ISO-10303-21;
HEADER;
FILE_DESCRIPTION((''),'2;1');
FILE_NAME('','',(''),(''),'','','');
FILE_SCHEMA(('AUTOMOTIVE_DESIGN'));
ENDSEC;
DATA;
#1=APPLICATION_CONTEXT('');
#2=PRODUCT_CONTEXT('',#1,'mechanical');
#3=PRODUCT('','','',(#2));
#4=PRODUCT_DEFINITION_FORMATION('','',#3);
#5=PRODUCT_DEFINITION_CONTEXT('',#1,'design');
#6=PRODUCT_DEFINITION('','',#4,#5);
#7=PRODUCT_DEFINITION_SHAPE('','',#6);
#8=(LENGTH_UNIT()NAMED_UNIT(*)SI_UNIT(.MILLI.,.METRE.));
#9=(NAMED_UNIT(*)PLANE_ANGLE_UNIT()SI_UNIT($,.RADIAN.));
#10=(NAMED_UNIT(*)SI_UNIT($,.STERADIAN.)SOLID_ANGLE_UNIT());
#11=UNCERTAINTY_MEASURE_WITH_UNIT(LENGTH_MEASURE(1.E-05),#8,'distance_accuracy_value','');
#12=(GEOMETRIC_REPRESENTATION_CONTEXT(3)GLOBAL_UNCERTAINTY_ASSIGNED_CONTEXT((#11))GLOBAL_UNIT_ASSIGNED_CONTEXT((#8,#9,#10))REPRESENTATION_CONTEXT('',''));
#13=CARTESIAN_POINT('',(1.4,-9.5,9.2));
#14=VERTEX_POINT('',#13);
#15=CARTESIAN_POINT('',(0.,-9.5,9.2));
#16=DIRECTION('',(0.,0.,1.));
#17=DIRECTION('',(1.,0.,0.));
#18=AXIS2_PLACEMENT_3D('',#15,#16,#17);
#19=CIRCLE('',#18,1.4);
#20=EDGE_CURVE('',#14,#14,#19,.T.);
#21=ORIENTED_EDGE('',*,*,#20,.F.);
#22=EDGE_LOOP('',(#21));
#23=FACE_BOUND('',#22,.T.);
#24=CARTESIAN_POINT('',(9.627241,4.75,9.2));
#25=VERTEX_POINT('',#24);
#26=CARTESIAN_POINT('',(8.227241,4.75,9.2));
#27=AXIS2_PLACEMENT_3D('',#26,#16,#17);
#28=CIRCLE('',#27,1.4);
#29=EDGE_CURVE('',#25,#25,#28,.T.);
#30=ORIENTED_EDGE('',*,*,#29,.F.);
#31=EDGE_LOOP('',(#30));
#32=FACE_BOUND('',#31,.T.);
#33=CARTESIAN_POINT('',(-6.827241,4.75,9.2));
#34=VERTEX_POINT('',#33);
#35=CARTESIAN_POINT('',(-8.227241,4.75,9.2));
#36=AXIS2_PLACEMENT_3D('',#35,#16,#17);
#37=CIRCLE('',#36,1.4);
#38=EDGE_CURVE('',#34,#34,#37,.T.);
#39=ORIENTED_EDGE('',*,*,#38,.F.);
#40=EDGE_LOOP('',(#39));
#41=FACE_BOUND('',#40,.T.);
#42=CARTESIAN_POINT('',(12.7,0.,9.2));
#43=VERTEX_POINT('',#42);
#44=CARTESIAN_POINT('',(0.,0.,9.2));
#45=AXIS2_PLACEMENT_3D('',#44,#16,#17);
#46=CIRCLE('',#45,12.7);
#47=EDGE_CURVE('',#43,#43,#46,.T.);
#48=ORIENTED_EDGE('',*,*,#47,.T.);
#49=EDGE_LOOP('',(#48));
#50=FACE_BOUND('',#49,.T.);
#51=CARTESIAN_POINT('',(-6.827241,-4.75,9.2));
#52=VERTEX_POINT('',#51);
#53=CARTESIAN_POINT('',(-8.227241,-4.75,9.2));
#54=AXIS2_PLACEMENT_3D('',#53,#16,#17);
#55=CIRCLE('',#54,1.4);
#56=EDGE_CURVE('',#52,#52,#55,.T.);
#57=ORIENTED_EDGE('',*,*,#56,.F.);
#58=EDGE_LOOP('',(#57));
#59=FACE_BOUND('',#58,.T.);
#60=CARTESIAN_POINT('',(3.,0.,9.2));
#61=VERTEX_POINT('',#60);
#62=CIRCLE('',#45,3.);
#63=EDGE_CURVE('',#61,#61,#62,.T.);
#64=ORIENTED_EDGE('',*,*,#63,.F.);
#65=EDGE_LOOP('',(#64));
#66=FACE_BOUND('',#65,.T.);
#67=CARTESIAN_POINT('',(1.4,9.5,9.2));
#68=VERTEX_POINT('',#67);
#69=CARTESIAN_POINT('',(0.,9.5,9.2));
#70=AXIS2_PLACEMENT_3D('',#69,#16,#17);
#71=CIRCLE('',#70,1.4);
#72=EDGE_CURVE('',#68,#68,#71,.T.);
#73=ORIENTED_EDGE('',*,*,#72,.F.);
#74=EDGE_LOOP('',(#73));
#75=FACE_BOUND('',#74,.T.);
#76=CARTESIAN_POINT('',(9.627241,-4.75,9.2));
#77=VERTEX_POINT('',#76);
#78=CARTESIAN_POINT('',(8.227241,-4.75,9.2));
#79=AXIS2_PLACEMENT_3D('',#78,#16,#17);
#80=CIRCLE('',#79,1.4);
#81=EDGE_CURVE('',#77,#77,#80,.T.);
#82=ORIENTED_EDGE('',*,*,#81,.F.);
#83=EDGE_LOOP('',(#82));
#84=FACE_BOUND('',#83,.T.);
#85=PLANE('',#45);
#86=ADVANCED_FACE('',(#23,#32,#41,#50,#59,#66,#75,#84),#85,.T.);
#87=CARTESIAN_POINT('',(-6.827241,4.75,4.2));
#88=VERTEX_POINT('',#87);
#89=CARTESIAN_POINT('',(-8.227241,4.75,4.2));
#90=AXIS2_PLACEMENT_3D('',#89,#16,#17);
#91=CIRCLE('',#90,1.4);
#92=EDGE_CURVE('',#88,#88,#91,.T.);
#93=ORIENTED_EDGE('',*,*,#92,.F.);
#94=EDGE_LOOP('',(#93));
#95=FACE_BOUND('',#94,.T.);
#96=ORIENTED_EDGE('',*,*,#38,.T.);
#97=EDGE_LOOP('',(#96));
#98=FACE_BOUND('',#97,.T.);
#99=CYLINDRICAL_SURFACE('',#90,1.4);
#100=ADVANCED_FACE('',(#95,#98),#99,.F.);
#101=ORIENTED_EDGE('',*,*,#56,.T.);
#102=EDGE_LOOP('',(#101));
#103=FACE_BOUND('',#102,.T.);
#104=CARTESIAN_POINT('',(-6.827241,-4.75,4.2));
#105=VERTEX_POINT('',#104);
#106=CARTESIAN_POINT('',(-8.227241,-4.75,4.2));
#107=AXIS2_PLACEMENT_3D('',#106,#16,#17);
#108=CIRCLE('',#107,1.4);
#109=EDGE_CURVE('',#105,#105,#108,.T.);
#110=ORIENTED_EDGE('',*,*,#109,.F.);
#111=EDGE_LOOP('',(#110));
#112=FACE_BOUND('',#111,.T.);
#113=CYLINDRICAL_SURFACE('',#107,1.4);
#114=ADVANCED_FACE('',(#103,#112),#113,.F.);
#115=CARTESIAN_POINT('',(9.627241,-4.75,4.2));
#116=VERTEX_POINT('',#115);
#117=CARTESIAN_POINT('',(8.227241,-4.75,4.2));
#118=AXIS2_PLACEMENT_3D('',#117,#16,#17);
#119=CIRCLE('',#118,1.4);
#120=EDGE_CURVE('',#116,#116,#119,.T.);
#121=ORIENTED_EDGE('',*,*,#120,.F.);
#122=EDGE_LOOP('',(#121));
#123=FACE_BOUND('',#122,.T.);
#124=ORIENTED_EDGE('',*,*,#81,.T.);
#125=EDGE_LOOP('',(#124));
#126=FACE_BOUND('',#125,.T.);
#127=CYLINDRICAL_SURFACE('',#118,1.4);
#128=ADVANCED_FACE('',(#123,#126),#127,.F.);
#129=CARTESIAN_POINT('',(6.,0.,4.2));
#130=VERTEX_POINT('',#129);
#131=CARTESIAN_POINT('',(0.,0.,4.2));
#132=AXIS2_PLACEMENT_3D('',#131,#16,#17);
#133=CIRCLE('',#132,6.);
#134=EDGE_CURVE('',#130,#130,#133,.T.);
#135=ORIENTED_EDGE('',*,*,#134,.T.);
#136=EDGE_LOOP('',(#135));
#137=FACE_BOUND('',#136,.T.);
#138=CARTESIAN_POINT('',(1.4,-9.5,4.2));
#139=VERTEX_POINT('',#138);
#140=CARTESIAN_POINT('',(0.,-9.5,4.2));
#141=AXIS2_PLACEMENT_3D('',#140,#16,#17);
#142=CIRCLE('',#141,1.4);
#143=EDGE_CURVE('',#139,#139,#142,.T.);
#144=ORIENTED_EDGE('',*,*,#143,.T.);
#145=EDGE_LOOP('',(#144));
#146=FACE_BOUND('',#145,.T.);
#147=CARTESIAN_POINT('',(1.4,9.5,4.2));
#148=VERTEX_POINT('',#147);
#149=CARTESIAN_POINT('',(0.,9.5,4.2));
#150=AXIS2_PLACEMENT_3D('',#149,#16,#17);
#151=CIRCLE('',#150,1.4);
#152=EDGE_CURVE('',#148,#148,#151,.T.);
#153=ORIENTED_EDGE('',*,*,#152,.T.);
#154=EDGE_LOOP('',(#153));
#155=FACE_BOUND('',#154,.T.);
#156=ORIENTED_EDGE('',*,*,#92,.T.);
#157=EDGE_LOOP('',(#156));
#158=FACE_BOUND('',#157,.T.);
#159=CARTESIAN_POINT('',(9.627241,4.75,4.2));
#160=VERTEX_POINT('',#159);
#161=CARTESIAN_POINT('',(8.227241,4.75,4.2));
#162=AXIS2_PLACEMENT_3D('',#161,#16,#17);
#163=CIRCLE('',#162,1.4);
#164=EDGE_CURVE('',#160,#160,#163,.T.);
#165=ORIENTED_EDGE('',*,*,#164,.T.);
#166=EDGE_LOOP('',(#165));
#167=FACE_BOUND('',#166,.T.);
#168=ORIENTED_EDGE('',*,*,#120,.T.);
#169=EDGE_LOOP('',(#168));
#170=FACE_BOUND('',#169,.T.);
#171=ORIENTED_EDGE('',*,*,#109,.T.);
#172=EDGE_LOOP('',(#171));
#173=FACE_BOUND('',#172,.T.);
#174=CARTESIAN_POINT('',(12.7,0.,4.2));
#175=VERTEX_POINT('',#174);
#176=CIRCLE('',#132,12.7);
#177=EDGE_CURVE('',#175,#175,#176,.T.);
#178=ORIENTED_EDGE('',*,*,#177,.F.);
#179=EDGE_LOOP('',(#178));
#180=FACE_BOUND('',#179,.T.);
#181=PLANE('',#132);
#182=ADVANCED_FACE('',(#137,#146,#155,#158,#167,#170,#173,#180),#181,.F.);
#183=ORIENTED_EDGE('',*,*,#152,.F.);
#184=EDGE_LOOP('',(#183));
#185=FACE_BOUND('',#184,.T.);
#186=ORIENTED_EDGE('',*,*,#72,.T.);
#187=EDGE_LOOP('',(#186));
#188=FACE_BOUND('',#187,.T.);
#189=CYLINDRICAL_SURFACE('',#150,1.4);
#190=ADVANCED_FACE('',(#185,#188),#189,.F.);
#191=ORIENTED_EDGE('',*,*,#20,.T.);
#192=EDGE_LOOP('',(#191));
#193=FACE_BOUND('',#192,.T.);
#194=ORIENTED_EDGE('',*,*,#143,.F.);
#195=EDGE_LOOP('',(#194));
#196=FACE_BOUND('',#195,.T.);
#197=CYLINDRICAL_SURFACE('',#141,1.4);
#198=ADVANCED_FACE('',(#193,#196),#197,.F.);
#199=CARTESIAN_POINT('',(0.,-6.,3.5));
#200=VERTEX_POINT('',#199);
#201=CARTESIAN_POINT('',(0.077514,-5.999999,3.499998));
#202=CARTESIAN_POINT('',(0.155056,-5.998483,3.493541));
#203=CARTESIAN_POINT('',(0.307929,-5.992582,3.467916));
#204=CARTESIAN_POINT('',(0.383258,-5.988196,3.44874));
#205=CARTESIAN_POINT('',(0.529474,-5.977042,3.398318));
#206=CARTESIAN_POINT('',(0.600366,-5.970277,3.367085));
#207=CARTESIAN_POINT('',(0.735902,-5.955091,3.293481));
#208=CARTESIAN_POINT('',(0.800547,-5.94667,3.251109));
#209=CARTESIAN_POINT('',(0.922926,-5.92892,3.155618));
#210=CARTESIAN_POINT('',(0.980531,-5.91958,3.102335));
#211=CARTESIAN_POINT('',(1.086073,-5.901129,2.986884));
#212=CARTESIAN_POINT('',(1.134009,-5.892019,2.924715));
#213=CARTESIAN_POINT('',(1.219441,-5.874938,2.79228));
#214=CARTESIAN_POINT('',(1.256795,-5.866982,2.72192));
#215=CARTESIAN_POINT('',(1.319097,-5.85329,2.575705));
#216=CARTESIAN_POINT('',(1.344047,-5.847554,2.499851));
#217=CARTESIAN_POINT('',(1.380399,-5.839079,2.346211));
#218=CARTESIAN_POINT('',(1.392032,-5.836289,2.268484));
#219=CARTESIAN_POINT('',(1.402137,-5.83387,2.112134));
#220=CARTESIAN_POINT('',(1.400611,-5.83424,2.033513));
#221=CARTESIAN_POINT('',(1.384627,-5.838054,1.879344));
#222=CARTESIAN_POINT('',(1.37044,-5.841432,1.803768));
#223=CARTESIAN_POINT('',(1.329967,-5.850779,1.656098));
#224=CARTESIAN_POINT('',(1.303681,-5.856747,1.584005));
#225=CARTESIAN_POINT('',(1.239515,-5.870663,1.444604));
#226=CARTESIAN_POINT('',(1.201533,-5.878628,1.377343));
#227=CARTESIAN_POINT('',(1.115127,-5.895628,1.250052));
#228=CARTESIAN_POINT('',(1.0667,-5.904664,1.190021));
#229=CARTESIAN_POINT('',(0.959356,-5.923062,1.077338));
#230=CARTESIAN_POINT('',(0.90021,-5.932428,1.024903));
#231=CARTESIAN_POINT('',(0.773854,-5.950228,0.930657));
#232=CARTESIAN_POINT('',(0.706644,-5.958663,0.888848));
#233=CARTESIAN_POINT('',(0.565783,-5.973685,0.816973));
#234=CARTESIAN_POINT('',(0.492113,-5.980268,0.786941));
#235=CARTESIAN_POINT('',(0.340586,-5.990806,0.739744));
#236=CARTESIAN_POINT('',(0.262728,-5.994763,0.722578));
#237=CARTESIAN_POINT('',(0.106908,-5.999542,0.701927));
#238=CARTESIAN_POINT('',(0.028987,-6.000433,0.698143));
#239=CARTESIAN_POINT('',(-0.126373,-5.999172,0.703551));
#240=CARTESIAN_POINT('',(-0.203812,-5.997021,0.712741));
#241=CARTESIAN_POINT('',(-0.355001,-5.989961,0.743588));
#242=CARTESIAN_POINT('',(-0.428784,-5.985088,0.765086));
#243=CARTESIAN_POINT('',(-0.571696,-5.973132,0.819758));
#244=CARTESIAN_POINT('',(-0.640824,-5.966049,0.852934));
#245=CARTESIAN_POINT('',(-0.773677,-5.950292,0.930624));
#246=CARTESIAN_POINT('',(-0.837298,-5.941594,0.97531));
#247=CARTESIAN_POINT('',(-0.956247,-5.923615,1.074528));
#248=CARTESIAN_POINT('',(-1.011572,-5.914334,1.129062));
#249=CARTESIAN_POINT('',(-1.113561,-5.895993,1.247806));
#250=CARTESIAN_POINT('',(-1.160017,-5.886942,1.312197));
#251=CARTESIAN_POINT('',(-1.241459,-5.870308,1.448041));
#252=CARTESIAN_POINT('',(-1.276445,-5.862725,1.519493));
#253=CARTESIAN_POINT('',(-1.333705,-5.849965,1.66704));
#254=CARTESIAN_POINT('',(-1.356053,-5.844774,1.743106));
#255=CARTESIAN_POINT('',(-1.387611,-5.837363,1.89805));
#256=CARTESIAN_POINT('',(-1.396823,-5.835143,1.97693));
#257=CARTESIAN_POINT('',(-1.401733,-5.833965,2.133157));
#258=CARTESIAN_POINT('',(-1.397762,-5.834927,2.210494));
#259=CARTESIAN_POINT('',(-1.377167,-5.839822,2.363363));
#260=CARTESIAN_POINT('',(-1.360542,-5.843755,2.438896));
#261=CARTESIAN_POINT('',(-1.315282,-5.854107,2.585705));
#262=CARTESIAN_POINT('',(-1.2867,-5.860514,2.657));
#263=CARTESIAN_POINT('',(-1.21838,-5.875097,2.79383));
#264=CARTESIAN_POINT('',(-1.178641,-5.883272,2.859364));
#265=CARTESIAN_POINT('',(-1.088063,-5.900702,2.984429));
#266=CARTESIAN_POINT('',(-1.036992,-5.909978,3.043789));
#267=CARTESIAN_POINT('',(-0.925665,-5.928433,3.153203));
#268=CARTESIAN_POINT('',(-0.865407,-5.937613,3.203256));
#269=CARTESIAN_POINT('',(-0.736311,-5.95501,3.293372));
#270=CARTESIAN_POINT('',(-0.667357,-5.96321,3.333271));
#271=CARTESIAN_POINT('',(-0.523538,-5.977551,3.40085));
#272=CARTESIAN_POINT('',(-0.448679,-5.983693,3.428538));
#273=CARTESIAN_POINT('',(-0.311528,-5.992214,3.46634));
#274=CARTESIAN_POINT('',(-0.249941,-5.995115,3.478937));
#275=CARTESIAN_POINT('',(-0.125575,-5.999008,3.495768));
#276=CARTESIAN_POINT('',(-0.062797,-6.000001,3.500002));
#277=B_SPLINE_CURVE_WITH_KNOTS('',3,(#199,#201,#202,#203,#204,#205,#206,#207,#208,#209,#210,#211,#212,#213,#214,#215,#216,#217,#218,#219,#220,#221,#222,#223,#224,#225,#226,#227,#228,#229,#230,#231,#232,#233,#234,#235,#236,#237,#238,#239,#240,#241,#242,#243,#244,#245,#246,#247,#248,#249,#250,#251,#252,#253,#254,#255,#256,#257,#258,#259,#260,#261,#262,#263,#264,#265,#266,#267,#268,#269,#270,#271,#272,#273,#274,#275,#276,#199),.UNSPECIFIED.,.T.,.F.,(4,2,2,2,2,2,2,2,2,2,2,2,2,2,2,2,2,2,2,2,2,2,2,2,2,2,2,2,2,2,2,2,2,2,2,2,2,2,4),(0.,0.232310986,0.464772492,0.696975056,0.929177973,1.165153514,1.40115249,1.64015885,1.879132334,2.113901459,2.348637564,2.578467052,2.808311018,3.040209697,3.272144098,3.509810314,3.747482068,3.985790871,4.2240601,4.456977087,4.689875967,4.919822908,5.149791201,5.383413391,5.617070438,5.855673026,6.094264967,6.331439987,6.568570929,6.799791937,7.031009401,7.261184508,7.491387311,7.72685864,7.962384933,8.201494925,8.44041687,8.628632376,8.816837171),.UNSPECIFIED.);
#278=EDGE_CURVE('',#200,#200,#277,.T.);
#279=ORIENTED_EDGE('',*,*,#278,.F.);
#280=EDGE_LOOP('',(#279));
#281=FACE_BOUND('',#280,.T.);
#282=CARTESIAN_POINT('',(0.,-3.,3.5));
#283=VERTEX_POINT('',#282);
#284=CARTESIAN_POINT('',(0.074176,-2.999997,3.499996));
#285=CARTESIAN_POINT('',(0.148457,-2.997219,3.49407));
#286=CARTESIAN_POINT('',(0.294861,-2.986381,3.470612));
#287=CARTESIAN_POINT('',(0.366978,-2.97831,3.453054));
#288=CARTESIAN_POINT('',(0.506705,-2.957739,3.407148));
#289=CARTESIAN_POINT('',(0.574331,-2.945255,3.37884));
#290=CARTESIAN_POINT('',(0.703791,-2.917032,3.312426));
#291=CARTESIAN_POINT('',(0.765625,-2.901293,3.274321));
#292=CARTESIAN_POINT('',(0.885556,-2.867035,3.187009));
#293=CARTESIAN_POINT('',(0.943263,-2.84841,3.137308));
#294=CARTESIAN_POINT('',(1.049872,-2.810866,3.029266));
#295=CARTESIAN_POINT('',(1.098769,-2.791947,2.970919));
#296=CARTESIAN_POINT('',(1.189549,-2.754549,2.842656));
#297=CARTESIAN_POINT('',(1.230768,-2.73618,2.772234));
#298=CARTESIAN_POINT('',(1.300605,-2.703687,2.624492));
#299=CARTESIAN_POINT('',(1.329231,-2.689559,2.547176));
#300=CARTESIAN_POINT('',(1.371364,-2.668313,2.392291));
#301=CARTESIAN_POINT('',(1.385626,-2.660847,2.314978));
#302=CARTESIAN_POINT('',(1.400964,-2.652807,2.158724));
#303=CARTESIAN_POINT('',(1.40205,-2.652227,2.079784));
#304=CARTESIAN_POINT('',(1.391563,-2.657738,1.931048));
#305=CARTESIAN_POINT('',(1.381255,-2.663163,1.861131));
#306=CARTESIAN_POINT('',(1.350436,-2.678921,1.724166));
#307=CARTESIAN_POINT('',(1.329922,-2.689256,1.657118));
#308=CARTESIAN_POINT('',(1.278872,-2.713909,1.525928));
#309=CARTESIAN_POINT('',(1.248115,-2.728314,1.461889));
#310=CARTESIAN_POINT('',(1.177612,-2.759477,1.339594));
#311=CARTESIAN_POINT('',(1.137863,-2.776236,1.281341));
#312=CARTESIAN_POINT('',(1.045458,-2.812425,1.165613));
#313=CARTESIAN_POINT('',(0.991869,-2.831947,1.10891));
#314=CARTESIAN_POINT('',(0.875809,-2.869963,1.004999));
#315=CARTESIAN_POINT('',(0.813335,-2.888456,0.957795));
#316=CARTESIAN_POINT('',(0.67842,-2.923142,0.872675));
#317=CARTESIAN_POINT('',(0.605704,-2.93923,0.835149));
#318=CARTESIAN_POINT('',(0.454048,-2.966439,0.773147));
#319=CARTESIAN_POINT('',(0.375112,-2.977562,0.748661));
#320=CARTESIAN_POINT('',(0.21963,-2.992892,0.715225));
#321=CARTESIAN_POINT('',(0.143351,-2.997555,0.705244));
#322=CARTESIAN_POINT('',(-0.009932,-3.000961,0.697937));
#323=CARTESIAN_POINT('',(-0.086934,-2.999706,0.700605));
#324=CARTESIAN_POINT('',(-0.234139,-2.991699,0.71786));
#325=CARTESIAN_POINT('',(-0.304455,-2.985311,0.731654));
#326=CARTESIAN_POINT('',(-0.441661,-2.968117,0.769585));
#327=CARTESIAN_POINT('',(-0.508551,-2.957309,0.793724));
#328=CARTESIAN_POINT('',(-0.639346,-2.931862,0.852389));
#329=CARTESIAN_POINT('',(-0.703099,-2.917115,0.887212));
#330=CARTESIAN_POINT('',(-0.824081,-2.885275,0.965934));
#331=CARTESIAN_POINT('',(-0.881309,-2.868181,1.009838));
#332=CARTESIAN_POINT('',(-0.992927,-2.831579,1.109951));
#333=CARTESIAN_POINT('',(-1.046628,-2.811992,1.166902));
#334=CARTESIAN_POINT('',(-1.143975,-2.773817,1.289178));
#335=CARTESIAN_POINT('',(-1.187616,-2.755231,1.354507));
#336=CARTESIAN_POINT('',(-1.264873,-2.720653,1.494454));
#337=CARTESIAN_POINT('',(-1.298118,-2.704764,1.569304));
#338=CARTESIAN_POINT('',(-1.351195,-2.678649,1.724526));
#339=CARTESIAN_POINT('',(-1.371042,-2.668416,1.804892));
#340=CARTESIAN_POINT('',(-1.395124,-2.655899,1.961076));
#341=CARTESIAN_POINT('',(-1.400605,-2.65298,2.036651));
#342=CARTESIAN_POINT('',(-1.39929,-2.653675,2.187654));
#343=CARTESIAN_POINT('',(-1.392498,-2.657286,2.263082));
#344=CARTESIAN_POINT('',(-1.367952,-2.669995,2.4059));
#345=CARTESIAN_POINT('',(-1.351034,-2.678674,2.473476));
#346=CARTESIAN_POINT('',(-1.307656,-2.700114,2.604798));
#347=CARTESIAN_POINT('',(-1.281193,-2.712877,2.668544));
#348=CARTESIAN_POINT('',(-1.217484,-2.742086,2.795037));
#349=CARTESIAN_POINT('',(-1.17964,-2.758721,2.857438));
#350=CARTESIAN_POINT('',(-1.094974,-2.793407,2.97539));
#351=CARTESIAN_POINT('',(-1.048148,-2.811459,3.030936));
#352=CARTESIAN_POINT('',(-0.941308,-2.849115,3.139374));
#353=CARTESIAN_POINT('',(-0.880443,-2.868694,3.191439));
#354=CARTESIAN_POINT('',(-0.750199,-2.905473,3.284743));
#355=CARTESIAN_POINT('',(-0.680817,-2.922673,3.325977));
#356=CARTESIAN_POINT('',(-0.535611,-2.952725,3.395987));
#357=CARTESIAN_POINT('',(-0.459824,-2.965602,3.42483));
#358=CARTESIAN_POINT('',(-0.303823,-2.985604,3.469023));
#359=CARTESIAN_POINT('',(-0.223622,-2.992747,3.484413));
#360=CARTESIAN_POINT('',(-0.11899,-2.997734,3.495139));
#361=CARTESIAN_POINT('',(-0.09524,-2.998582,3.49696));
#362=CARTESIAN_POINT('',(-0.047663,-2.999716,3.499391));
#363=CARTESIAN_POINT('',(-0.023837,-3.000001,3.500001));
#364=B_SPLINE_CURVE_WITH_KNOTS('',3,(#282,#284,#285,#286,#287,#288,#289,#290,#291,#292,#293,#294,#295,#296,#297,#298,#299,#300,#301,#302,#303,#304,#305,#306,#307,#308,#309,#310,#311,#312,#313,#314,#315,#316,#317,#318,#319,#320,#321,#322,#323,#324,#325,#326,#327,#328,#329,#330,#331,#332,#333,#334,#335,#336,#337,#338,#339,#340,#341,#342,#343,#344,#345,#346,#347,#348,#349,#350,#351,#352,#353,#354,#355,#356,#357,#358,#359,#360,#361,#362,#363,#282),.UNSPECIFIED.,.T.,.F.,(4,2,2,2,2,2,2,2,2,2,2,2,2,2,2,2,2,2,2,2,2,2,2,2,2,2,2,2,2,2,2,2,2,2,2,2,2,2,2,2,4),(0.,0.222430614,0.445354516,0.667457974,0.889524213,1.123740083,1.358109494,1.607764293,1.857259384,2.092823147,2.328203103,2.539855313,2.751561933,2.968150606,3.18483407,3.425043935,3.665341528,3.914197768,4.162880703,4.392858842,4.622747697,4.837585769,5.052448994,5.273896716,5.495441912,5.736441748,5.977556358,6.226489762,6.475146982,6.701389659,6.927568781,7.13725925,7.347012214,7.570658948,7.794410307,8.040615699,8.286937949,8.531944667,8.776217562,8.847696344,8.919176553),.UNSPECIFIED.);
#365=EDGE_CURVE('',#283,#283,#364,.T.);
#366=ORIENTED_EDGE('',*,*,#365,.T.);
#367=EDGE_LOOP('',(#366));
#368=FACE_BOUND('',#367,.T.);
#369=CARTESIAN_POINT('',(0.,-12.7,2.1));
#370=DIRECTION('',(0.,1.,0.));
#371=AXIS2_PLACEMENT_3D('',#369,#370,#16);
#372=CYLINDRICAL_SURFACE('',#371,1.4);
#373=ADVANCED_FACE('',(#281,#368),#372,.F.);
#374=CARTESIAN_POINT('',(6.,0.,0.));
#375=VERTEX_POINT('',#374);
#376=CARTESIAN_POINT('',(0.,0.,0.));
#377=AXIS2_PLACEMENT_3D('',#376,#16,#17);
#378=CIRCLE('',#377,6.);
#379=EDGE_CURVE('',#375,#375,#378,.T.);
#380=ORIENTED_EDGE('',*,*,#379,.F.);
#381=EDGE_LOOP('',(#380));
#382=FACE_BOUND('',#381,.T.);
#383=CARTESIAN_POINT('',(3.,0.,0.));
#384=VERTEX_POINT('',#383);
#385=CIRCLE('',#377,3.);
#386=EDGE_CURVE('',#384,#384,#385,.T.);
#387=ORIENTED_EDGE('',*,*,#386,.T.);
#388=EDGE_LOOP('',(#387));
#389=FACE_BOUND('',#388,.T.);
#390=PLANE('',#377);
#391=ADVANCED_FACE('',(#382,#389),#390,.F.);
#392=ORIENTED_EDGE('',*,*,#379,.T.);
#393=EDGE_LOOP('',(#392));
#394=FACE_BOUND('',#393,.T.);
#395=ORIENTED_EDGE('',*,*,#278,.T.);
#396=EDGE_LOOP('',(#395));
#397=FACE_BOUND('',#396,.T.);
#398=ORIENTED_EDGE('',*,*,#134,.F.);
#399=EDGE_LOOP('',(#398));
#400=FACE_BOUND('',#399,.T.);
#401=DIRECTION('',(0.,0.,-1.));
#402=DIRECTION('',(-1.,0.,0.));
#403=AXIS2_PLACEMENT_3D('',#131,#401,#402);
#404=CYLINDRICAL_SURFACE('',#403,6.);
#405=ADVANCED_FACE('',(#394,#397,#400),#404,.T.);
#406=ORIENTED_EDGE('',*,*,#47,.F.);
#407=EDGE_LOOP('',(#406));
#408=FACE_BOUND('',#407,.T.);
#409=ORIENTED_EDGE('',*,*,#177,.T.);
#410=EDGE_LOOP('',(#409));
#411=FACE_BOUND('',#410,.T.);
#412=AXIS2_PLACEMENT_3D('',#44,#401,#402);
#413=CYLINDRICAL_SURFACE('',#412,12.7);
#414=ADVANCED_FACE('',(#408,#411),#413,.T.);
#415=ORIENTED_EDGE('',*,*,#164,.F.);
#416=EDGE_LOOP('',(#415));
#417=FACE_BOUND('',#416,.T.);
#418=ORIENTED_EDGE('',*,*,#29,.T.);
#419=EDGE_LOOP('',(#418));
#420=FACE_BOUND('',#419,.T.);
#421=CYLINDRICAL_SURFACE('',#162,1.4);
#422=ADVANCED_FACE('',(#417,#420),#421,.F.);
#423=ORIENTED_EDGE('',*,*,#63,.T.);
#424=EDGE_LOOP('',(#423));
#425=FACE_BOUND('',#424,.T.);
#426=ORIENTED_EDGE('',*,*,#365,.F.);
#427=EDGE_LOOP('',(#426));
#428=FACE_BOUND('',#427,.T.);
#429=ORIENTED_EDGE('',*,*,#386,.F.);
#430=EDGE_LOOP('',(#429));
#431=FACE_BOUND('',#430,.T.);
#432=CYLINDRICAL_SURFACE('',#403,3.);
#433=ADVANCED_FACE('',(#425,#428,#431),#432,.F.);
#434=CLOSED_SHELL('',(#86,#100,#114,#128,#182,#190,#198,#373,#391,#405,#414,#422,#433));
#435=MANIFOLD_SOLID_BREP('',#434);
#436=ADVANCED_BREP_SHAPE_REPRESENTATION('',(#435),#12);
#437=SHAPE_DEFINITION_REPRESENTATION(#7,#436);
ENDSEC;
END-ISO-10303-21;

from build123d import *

# Parameters (mm, degrees)
SKETCH1_R           = 6
SKETCH1_R_2         = 3
BOSS_EXTRUDE1_DEPTH = 4.2
SKETCH2_R           = 12.7
SKETCH2_R_2         = 3
BOSS_EXTRUDE2_DEPTH = 5
SKETCH3_R           = 1.4
CUT_EXTRUDE1_DEPTH  = 13.7
SKETCH4_R           = 1.4
CUT_EXTRUDE2_DEPTH  = 5


with BuildPart() as part:
    # Sketch1 → Boss-Extrude1 (new body)
    with BuildSketch(Plane.XY):
        Circle(SKETCH1_R)
        Circle(SKETCH1_R_2, mode=Mode.SUBTRACT)
    extrude(amount=BOSS_EXTRUDE1_DEPTH)

    # Sketch2 → Boss-Extrude2 (add)
    with BuildSketch(Plane.XY.offset(4.2)):
        Circle(SKETCH2_R)
        Circle(SKETCH2_R_2, mode=Mode.SUBTRACT)
    extrude(amount=BOSS_EXTRUDE2_DEPTH)

    # Sketch3 → Cut-Extrude1 (cut, through all)
    with BuildSketch(Plane(origin=(0, 0, 0), x_dir=(1, 0, 0), z_dir=(0, 1, 0))):
        with Locations((0, -2.1)):
            Circle(SKETCH3_R)
    extrude(amount=-CUT_EXTRUDE1_DEPTH, mode=Mode.SUBTRACT)

    # Sketch4 → Cut-Extrude2 (cut)
    with BuildSketch(Plane.XY.offset(9.2)):
        with Locations((0, 9.5)):
            Circle(SKETCH4_R)
        with Locations((8.227241336, 4.75)):
            Circle(SKETCH4_R)
        with Locations((8.227241336, -4.75)):
            Circle(SKETCH4_R)
        with Locations((0, -9.5)):
            Circle(SKETCH4_R)
        with Locations((-8.227241336, -4.75)):
            Circle(SKETCH4_R)
        with Locations((-8.227241336, 4.75)):
            Circle(SKETCH4_R)
    extrude(amount=-CUT_EXTRUDE2_DEPTH, mode=Mode.SUBTRACT)


solid = part.part
